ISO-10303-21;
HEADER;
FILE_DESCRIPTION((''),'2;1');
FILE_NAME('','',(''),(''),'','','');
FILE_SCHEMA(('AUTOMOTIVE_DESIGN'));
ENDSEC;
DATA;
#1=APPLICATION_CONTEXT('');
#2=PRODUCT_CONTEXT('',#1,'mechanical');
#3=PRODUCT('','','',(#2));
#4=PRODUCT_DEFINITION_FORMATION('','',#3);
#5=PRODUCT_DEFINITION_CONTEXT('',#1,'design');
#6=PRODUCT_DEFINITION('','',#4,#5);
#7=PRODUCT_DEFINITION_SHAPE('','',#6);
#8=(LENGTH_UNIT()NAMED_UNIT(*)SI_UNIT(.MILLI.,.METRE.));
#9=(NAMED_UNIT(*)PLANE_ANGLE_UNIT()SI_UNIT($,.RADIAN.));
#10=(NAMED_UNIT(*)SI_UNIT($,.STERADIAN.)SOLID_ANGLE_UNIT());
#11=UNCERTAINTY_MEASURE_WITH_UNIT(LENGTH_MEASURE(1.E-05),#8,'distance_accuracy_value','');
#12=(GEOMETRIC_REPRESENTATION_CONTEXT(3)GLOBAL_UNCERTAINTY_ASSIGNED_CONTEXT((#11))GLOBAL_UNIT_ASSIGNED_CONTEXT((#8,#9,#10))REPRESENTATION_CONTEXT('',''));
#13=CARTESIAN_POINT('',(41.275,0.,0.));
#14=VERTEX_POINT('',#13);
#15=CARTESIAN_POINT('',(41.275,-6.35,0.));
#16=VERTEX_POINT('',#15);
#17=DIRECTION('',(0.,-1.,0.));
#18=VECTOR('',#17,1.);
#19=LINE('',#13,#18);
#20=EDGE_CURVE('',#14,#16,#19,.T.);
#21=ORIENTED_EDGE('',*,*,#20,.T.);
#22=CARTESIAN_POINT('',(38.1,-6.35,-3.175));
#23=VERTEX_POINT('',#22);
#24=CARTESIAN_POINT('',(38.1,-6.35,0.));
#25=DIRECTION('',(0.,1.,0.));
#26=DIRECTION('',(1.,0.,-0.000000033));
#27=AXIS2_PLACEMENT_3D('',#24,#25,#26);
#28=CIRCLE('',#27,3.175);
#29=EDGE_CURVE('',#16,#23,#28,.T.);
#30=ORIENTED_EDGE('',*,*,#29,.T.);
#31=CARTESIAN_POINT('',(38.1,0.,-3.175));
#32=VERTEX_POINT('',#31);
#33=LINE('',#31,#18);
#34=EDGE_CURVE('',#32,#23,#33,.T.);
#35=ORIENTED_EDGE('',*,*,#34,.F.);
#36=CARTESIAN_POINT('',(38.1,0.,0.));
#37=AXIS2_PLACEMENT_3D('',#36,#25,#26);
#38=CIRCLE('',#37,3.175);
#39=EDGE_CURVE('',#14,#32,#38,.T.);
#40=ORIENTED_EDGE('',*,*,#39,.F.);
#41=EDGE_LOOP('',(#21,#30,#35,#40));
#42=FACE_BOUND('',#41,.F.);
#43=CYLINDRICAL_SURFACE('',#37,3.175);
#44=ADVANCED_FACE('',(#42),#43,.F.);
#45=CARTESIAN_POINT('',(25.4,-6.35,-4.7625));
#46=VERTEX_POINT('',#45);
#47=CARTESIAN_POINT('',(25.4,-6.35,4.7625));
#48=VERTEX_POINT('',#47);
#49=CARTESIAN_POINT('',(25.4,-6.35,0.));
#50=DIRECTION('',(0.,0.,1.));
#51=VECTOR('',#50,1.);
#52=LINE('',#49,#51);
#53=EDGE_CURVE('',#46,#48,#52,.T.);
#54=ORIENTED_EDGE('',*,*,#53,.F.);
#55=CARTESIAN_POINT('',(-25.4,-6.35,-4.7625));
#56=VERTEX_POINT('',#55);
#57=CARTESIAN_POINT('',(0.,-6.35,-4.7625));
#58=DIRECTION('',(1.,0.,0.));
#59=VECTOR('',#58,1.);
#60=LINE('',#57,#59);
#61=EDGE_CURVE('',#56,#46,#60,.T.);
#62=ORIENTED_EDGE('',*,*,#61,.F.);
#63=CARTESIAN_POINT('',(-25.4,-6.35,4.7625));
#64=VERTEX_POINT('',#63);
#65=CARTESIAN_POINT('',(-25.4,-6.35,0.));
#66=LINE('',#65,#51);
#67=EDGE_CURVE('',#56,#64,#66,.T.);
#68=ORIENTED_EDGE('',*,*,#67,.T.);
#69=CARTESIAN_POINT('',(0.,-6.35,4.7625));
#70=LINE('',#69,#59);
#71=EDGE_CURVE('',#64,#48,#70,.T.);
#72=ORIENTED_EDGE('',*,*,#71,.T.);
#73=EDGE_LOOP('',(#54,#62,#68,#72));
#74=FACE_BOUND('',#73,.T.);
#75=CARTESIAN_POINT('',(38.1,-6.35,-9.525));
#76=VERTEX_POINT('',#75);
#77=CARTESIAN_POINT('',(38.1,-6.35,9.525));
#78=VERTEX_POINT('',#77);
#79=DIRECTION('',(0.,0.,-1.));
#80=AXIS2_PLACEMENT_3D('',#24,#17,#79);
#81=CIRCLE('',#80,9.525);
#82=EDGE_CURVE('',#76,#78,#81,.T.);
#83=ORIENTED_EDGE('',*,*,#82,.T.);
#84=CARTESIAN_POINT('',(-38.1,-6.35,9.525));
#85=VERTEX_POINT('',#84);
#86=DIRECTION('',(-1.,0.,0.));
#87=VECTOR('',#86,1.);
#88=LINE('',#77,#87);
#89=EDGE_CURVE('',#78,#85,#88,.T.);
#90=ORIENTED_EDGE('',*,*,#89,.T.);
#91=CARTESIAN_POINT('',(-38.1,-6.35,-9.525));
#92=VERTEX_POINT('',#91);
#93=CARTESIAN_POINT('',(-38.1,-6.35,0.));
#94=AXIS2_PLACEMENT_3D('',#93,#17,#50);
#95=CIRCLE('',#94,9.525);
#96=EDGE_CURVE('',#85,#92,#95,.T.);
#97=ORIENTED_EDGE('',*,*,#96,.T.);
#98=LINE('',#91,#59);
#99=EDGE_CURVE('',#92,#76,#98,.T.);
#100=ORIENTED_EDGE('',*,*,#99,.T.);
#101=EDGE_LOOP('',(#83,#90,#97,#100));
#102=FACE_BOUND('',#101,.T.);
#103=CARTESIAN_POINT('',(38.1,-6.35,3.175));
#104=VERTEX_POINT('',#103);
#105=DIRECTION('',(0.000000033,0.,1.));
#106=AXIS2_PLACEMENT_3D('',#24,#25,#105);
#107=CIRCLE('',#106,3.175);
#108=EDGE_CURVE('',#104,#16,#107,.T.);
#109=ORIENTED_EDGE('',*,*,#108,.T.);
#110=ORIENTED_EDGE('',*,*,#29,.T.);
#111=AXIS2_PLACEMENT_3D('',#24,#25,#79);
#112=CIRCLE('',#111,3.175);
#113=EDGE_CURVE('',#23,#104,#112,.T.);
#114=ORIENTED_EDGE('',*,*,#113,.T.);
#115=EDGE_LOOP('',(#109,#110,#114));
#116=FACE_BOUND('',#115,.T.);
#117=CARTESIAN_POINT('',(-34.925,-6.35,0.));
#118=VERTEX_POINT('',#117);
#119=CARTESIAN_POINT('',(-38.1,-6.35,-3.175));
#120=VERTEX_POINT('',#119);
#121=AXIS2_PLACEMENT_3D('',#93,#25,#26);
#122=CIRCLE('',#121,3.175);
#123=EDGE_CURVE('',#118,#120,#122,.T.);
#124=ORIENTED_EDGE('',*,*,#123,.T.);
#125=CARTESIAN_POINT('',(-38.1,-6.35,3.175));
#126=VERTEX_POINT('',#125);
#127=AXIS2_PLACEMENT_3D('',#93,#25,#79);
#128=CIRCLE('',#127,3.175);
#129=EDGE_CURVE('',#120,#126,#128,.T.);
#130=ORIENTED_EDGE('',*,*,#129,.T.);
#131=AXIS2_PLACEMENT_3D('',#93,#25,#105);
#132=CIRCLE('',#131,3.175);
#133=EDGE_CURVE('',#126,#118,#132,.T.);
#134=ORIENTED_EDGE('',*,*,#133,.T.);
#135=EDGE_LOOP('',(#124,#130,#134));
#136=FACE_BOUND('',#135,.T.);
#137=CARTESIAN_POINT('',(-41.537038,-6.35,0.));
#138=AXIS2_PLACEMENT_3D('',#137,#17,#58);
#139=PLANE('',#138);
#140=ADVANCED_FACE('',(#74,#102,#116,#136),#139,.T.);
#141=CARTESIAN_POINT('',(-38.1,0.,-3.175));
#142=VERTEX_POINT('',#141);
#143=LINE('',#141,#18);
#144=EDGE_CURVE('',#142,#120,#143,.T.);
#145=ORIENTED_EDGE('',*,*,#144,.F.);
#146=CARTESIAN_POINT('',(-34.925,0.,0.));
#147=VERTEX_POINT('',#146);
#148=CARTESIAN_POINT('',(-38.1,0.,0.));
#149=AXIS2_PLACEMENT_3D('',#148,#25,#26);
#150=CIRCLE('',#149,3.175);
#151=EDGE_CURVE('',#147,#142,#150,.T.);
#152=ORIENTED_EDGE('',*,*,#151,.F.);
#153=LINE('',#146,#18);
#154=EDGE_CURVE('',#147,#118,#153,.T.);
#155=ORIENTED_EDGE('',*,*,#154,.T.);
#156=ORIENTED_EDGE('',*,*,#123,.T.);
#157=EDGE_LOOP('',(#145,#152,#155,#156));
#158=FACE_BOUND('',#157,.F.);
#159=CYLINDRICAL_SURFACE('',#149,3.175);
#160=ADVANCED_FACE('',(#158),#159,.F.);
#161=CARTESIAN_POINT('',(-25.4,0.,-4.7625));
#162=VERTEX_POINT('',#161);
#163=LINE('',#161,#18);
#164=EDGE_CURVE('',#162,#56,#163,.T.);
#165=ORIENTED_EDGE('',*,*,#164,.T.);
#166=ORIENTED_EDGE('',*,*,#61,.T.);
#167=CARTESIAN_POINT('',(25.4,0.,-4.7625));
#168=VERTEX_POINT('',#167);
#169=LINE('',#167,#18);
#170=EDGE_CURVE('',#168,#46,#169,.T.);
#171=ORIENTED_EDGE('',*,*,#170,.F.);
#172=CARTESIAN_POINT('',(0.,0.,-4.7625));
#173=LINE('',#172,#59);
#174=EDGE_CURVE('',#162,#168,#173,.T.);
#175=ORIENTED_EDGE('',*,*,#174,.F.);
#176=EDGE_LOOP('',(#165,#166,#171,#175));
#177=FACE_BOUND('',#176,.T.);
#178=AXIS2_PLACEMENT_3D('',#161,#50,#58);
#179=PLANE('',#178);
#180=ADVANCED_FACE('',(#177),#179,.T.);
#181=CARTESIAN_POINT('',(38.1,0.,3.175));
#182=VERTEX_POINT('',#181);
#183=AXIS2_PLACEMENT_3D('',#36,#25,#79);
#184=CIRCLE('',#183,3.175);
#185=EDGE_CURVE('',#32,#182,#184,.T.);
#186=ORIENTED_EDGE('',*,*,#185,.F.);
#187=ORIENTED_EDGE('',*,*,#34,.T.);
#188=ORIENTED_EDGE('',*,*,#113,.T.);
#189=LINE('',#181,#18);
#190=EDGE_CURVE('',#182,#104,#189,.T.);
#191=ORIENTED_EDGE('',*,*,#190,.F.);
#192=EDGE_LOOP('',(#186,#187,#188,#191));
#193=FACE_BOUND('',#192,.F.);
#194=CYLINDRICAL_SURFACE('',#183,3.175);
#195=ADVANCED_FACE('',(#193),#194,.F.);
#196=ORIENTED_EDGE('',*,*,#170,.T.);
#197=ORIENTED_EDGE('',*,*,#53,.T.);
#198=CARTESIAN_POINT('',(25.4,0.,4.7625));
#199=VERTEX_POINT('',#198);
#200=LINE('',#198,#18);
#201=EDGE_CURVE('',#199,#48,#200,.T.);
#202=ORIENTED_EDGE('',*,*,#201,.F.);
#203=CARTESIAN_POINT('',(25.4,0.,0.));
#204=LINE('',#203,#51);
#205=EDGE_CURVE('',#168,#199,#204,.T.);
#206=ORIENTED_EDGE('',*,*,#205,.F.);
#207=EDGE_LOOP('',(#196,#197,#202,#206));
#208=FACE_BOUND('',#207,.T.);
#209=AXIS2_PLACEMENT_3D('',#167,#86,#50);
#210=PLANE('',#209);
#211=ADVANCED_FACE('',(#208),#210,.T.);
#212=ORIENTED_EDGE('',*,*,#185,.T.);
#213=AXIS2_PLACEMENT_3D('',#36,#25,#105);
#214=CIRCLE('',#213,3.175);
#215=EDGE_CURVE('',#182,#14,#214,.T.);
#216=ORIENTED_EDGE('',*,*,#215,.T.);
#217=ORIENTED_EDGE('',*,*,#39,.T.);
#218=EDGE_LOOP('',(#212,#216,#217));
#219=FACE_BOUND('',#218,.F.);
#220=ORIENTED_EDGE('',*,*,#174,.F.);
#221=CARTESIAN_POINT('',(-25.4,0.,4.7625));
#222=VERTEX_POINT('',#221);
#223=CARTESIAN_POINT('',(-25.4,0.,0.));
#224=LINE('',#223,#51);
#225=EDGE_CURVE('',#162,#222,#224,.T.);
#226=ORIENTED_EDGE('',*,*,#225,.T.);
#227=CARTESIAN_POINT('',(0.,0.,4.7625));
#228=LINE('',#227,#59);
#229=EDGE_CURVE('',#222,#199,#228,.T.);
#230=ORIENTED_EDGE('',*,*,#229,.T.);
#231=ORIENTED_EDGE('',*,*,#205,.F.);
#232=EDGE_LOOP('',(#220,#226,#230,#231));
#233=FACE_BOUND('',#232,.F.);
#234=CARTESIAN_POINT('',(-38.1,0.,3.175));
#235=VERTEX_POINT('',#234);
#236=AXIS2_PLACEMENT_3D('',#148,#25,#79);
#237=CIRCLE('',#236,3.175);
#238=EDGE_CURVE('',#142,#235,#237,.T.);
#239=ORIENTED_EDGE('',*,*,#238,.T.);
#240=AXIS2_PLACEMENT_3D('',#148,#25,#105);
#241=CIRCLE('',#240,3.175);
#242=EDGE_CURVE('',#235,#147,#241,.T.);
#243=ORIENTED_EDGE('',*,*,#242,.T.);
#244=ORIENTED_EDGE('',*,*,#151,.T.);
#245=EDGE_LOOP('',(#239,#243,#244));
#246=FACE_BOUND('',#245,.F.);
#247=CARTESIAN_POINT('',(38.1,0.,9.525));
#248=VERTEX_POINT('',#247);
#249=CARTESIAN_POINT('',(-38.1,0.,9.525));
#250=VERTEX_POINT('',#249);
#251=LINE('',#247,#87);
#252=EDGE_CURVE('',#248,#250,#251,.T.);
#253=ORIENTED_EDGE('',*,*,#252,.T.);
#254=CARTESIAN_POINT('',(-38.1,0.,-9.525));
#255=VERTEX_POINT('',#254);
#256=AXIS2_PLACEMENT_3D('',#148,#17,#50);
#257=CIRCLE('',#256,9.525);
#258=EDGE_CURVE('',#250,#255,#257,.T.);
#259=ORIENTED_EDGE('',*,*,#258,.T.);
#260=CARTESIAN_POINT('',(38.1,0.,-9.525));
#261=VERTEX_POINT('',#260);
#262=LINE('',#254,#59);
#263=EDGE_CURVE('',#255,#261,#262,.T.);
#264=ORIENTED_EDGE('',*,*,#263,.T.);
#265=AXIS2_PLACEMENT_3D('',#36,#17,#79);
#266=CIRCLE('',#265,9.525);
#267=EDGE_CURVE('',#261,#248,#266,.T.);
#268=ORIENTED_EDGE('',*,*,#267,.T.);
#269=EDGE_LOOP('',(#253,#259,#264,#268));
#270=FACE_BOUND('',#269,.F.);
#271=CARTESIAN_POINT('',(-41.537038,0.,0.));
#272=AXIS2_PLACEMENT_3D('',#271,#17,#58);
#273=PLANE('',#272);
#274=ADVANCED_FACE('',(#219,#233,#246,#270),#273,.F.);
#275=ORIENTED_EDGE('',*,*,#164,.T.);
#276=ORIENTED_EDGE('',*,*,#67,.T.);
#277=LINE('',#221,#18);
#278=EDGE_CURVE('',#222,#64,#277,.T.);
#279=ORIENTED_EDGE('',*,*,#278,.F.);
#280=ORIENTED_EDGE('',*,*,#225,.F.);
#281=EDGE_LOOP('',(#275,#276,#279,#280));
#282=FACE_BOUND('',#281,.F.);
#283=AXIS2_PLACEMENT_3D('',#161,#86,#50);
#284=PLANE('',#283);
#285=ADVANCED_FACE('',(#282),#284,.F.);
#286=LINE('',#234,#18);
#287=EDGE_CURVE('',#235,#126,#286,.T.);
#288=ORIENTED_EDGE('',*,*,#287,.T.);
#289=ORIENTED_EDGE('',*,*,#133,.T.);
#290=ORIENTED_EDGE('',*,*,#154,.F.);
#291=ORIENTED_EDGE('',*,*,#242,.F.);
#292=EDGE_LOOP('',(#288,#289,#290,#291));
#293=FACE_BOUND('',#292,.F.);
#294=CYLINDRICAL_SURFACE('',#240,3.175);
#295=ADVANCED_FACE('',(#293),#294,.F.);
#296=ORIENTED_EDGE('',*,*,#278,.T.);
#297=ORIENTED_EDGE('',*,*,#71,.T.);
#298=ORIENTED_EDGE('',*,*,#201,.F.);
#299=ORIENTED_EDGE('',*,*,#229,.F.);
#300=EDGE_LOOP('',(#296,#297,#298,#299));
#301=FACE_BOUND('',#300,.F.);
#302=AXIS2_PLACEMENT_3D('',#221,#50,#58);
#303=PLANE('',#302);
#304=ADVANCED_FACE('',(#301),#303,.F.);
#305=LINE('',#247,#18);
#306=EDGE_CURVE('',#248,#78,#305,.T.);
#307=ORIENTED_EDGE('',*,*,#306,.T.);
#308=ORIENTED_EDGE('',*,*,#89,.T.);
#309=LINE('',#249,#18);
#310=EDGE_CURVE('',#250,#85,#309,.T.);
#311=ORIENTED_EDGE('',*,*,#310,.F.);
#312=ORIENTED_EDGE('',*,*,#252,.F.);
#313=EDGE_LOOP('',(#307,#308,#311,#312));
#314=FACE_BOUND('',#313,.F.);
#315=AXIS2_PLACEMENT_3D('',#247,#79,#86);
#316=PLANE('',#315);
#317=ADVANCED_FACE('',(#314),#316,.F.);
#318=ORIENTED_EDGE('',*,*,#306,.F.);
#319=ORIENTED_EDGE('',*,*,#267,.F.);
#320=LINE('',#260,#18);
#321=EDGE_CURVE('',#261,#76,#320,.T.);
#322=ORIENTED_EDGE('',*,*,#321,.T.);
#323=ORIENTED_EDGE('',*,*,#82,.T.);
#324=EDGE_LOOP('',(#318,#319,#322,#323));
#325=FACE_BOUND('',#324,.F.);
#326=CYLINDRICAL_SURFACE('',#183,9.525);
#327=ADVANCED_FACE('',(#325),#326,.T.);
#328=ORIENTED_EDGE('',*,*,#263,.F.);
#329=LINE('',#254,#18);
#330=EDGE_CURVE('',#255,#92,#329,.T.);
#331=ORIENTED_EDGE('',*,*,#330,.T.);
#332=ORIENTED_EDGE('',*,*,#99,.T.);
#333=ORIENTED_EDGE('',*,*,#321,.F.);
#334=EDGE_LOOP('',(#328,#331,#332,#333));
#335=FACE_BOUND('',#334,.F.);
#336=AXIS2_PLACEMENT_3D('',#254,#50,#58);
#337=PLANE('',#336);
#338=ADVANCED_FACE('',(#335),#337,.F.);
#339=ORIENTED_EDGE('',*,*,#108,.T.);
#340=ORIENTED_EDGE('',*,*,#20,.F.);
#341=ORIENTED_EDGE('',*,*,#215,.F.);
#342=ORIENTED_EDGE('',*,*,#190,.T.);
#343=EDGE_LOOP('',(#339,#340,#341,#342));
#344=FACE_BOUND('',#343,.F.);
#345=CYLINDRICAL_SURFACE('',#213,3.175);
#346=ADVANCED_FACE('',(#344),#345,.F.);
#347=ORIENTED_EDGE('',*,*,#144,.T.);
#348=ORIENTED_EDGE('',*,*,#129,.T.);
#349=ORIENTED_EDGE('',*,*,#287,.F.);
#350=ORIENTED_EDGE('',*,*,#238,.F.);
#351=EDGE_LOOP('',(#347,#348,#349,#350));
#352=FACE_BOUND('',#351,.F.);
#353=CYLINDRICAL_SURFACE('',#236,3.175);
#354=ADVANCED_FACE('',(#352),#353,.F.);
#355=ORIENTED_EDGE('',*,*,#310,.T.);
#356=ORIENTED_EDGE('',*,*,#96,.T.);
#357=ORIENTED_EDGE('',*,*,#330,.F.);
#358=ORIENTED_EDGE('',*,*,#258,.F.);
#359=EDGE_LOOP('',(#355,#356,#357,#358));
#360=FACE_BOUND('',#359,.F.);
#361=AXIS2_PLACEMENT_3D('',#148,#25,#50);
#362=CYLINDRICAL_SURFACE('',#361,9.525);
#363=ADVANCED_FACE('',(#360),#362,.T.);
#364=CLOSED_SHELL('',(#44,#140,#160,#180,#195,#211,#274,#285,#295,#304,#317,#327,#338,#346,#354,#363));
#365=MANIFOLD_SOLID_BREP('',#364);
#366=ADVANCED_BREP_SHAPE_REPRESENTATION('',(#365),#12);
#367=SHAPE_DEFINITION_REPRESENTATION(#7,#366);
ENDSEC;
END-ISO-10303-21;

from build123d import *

# Parameters (mm, degrees)
F0_W     = 50.8
F0_H     = 9.525
F1_DEPTH = 6.35


with BuildPart() as f1:
    # F0 (on Front) → F1 (new body)
    with BuildSketch(Plane.XZ):
        with BuildLine():
            Line((-38.1, 3.175), (-38.1, 9.525))
            ThreePointArc((-38.1, 9.525), (-47.625, 0), (-38.1, -9.525))
            Line((-38.1, -9.525), (-38.1, -3.175))
            ThreePointArc((-38.1, -3.175), (-41.275, 0), (-38.1, 3.175))
        make_face()
        with BuildLine():
            Line((38.1, 3.175), (38.1, 9.525))
            Line((38.1, 9.525), (-38.1, 9.525))
            Line((-38.1, 9.525), (-38.1, 3.175))
            ThreePointArc((-38.1, 3.175), (-35.854936, 2.245064), (-34.925, 0))
            ThreePointArc((-34.925, 0), (-35.854936, -2.245064), (-38.1, -3.175))
            Line((-38.1, -3.175), (-38.1, -9.525))
            Line((-38.1, -9.525), (38.1, -9.525))
            Line((38.1, -9.525), (38.1, -3.175))
            ThreePointArc((38.1, -3.175), (34.925, 0), (38.1, 3.175))
        make_face()
        Rectangle(F0_W, F0_H, mode=Mode.SUBTRACT)
        with BuildLine():
            ThreePointArc((38.1, -9.525), (47.625, 0), (38.1, 9.525))
            Line((38.1, 9.525), (38.1, 3.175))
            ThreePointArc((38.1, 3.175), (40.345064, 2.245064), (41.275, 0))
            ThreePointArc((41.275, 0), (40.345064, -2.245064), (38.1, -3.175))
            Line((38.1, -3.175), (38.1, -9.525))
        make_face()
    extrude(amount=F1_DEPTH)


solid = f1.part
